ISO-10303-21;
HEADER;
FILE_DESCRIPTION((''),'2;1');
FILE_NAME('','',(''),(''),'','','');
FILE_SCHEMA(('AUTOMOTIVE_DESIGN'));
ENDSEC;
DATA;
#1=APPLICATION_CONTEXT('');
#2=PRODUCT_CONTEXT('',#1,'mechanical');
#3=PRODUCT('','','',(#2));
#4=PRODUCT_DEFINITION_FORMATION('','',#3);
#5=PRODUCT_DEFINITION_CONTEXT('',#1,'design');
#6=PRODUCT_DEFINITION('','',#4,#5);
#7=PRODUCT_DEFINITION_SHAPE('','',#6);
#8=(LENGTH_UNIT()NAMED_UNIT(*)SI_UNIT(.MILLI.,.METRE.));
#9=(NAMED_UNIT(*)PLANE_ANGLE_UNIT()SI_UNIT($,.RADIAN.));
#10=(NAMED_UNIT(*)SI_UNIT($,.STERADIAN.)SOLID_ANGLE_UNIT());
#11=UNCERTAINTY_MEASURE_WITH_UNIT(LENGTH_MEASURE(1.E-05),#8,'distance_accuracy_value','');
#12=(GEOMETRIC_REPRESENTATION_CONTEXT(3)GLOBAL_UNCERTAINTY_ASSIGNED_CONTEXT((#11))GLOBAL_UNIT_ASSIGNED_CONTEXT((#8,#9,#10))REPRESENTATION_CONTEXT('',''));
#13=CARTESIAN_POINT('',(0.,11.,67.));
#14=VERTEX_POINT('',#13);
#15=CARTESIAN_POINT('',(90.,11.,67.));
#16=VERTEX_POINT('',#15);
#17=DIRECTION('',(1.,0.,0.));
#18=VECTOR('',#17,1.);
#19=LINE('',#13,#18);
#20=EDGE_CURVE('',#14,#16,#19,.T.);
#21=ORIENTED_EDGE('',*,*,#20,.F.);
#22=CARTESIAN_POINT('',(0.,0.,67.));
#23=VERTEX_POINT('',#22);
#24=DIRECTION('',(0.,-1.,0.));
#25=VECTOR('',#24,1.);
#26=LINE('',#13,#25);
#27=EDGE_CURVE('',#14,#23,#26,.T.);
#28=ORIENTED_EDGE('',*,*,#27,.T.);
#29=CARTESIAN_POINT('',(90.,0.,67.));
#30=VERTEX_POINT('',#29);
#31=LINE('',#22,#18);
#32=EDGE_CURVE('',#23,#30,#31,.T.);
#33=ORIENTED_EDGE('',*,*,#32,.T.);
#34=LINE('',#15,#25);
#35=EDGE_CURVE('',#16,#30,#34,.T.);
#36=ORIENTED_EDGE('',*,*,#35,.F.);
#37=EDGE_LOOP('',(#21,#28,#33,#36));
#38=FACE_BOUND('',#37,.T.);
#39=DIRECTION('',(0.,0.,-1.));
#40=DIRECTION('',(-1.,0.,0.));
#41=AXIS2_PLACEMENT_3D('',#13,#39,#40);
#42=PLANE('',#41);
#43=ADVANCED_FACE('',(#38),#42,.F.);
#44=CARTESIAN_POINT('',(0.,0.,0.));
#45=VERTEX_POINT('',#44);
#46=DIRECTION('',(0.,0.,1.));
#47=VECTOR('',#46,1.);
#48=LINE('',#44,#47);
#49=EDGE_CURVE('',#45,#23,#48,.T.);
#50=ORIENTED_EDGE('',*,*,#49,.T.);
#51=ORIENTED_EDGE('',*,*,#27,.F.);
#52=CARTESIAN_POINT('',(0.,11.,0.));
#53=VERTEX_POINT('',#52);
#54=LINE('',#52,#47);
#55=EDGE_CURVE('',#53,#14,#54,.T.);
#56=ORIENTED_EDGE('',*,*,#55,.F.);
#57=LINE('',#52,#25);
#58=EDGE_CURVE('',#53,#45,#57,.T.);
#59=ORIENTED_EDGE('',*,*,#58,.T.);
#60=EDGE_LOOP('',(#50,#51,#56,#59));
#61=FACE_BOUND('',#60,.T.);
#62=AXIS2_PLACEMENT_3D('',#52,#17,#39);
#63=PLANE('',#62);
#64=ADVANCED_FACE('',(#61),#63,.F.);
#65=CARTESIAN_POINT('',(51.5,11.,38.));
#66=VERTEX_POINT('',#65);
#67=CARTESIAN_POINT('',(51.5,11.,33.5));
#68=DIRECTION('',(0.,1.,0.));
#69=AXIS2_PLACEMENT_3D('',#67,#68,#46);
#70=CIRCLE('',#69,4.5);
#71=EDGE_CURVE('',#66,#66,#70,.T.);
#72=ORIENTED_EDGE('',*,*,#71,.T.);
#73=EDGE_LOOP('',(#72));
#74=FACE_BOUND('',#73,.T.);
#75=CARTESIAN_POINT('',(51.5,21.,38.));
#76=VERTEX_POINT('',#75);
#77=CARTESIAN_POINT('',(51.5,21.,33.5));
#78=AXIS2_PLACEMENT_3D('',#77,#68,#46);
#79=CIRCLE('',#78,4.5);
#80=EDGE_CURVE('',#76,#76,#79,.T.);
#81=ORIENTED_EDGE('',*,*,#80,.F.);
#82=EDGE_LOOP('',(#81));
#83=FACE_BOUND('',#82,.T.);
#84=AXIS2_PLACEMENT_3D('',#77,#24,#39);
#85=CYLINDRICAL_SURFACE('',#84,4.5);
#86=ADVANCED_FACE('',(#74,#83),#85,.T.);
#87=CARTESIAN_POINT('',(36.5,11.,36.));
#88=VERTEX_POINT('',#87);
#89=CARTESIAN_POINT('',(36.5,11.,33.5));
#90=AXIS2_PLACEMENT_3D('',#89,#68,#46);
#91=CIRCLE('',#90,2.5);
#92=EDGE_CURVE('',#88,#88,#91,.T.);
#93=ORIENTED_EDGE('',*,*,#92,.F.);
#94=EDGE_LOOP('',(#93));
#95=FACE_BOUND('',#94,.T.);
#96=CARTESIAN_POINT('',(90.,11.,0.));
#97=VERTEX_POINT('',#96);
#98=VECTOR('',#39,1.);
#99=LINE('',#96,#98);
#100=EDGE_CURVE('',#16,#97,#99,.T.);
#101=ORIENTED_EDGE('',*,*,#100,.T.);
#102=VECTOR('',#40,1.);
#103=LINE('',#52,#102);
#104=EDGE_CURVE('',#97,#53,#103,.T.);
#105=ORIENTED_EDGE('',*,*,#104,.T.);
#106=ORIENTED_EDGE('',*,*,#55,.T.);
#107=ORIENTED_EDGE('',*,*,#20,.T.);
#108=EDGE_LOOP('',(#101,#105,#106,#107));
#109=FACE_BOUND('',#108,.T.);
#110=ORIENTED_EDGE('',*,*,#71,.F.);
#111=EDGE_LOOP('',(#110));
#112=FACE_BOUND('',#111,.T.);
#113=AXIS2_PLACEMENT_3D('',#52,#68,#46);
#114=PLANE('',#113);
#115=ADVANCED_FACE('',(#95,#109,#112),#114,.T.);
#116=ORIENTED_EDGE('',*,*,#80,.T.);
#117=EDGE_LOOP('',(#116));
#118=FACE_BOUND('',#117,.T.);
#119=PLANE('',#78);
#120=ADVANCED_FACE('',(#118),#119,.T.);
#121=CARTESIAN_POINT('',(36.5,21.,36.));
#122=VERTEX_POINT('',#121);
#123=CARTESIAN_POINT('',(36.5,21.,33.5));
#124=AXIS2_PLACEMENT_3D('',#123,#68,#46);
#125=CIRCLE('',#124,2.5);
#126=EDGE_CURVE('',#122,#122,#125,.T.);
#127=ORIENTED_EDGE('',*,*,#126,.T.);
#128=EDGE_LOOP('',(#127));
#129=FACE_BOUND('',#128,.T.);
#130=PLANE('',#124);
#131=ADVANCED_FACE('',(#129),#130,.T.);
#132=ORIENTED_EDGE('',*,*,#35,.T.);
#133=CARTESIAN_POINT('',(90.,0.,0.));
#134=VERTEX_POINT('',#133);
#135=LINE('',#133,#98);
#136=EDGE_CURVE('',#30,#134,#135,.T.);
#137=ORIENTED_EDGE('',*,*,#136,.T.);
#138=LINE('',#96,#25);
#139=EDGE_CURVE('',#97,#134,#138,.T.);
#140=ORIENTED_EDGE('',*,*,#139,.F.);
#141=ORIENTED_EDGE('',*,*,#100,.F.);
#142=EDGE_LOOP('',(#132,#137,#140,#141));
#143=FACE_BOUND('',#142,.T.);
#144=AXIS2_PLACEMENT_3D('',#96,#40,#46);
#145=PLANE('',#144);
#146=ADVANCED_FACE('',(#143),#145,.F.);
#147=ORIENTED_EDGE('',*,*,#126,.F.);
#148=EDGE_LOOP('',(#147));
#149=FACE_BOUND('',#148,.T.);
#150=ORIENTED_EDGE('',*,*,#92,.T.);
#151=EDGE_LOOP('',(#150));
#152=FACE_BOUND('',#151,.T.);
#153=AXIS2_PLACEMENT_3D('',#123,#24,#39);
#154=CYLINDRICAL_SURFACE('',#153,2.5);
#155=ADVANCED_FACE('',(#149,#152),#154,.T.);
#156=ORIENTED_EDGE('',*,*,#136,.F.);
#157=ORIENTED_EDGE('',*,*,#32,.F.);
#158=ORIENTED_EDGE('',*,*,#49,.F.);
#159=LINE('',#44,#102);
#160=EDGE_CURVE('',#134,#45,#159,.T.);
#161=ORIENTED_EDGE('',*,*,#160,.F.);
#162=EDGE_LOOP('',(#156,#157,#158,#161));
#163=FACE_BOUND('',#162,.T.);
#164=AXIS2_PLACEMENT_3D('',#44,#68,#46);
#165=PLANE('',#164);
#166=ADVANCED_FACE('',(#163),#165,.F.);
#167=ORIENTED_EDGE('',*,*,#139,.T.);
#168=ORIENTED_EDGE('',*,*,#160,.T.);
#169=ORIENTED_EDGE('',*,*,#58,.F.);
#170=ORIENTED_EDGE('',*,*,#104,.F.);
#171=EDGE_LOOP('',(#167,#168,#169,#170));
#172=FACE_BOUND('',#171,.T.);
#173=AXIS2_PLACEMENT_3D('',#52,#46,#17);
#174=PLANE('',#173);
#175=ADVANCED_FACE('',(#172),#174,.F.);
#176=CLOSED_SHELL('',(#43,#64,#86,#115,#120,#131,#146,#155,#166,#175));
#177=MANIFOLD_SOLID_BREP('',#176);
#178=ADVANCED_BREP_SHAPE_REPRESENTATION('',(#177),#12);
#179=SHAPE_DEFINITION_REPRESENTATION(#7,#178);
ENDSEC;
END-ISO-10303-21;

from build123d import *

# Parameters (mm, degrees)
SKETCH_1_W      = 90
SKETCH_1_H      = 67
EXTRUDE_1_DEPTH = 11
SKETCH_2_R      = 2.5
SKETCH_2_R_2    = 4.5
EXTRUDE_2_DEPTH = 10


with BuildPart() as part:
    # Эскиз1 → Бобышка-Вытянуть1 (new body)
    with BuildSketch(Plane(origin=(0, 0, 0), x_dir=(1, 0, 0), z_dir=(0, 1, 0))):
        with Locations((45, -33.5)):
            Rectangle(SKETCH_1_W, SKETCH_1_H)
    extrude(amount=EXTRUDE_1_DEPTH)

    # Эскиз2 → Бобышка-Вытянуть2 (add)
    with BuildSketch(Plane(origin=(0, 11, 0), x_dir=(1, 0, 0), z_dir=(0, 1, 0))):
        with Locations((36.5, -33.5)):
            Circle(SKETCH_2_R)
        with Locations((51.5, -33.5)):
            Circle(SKETCH_2_R_2)
    extrude(amount=EXTRUDE_2_DEPTH)


solid = part.part
